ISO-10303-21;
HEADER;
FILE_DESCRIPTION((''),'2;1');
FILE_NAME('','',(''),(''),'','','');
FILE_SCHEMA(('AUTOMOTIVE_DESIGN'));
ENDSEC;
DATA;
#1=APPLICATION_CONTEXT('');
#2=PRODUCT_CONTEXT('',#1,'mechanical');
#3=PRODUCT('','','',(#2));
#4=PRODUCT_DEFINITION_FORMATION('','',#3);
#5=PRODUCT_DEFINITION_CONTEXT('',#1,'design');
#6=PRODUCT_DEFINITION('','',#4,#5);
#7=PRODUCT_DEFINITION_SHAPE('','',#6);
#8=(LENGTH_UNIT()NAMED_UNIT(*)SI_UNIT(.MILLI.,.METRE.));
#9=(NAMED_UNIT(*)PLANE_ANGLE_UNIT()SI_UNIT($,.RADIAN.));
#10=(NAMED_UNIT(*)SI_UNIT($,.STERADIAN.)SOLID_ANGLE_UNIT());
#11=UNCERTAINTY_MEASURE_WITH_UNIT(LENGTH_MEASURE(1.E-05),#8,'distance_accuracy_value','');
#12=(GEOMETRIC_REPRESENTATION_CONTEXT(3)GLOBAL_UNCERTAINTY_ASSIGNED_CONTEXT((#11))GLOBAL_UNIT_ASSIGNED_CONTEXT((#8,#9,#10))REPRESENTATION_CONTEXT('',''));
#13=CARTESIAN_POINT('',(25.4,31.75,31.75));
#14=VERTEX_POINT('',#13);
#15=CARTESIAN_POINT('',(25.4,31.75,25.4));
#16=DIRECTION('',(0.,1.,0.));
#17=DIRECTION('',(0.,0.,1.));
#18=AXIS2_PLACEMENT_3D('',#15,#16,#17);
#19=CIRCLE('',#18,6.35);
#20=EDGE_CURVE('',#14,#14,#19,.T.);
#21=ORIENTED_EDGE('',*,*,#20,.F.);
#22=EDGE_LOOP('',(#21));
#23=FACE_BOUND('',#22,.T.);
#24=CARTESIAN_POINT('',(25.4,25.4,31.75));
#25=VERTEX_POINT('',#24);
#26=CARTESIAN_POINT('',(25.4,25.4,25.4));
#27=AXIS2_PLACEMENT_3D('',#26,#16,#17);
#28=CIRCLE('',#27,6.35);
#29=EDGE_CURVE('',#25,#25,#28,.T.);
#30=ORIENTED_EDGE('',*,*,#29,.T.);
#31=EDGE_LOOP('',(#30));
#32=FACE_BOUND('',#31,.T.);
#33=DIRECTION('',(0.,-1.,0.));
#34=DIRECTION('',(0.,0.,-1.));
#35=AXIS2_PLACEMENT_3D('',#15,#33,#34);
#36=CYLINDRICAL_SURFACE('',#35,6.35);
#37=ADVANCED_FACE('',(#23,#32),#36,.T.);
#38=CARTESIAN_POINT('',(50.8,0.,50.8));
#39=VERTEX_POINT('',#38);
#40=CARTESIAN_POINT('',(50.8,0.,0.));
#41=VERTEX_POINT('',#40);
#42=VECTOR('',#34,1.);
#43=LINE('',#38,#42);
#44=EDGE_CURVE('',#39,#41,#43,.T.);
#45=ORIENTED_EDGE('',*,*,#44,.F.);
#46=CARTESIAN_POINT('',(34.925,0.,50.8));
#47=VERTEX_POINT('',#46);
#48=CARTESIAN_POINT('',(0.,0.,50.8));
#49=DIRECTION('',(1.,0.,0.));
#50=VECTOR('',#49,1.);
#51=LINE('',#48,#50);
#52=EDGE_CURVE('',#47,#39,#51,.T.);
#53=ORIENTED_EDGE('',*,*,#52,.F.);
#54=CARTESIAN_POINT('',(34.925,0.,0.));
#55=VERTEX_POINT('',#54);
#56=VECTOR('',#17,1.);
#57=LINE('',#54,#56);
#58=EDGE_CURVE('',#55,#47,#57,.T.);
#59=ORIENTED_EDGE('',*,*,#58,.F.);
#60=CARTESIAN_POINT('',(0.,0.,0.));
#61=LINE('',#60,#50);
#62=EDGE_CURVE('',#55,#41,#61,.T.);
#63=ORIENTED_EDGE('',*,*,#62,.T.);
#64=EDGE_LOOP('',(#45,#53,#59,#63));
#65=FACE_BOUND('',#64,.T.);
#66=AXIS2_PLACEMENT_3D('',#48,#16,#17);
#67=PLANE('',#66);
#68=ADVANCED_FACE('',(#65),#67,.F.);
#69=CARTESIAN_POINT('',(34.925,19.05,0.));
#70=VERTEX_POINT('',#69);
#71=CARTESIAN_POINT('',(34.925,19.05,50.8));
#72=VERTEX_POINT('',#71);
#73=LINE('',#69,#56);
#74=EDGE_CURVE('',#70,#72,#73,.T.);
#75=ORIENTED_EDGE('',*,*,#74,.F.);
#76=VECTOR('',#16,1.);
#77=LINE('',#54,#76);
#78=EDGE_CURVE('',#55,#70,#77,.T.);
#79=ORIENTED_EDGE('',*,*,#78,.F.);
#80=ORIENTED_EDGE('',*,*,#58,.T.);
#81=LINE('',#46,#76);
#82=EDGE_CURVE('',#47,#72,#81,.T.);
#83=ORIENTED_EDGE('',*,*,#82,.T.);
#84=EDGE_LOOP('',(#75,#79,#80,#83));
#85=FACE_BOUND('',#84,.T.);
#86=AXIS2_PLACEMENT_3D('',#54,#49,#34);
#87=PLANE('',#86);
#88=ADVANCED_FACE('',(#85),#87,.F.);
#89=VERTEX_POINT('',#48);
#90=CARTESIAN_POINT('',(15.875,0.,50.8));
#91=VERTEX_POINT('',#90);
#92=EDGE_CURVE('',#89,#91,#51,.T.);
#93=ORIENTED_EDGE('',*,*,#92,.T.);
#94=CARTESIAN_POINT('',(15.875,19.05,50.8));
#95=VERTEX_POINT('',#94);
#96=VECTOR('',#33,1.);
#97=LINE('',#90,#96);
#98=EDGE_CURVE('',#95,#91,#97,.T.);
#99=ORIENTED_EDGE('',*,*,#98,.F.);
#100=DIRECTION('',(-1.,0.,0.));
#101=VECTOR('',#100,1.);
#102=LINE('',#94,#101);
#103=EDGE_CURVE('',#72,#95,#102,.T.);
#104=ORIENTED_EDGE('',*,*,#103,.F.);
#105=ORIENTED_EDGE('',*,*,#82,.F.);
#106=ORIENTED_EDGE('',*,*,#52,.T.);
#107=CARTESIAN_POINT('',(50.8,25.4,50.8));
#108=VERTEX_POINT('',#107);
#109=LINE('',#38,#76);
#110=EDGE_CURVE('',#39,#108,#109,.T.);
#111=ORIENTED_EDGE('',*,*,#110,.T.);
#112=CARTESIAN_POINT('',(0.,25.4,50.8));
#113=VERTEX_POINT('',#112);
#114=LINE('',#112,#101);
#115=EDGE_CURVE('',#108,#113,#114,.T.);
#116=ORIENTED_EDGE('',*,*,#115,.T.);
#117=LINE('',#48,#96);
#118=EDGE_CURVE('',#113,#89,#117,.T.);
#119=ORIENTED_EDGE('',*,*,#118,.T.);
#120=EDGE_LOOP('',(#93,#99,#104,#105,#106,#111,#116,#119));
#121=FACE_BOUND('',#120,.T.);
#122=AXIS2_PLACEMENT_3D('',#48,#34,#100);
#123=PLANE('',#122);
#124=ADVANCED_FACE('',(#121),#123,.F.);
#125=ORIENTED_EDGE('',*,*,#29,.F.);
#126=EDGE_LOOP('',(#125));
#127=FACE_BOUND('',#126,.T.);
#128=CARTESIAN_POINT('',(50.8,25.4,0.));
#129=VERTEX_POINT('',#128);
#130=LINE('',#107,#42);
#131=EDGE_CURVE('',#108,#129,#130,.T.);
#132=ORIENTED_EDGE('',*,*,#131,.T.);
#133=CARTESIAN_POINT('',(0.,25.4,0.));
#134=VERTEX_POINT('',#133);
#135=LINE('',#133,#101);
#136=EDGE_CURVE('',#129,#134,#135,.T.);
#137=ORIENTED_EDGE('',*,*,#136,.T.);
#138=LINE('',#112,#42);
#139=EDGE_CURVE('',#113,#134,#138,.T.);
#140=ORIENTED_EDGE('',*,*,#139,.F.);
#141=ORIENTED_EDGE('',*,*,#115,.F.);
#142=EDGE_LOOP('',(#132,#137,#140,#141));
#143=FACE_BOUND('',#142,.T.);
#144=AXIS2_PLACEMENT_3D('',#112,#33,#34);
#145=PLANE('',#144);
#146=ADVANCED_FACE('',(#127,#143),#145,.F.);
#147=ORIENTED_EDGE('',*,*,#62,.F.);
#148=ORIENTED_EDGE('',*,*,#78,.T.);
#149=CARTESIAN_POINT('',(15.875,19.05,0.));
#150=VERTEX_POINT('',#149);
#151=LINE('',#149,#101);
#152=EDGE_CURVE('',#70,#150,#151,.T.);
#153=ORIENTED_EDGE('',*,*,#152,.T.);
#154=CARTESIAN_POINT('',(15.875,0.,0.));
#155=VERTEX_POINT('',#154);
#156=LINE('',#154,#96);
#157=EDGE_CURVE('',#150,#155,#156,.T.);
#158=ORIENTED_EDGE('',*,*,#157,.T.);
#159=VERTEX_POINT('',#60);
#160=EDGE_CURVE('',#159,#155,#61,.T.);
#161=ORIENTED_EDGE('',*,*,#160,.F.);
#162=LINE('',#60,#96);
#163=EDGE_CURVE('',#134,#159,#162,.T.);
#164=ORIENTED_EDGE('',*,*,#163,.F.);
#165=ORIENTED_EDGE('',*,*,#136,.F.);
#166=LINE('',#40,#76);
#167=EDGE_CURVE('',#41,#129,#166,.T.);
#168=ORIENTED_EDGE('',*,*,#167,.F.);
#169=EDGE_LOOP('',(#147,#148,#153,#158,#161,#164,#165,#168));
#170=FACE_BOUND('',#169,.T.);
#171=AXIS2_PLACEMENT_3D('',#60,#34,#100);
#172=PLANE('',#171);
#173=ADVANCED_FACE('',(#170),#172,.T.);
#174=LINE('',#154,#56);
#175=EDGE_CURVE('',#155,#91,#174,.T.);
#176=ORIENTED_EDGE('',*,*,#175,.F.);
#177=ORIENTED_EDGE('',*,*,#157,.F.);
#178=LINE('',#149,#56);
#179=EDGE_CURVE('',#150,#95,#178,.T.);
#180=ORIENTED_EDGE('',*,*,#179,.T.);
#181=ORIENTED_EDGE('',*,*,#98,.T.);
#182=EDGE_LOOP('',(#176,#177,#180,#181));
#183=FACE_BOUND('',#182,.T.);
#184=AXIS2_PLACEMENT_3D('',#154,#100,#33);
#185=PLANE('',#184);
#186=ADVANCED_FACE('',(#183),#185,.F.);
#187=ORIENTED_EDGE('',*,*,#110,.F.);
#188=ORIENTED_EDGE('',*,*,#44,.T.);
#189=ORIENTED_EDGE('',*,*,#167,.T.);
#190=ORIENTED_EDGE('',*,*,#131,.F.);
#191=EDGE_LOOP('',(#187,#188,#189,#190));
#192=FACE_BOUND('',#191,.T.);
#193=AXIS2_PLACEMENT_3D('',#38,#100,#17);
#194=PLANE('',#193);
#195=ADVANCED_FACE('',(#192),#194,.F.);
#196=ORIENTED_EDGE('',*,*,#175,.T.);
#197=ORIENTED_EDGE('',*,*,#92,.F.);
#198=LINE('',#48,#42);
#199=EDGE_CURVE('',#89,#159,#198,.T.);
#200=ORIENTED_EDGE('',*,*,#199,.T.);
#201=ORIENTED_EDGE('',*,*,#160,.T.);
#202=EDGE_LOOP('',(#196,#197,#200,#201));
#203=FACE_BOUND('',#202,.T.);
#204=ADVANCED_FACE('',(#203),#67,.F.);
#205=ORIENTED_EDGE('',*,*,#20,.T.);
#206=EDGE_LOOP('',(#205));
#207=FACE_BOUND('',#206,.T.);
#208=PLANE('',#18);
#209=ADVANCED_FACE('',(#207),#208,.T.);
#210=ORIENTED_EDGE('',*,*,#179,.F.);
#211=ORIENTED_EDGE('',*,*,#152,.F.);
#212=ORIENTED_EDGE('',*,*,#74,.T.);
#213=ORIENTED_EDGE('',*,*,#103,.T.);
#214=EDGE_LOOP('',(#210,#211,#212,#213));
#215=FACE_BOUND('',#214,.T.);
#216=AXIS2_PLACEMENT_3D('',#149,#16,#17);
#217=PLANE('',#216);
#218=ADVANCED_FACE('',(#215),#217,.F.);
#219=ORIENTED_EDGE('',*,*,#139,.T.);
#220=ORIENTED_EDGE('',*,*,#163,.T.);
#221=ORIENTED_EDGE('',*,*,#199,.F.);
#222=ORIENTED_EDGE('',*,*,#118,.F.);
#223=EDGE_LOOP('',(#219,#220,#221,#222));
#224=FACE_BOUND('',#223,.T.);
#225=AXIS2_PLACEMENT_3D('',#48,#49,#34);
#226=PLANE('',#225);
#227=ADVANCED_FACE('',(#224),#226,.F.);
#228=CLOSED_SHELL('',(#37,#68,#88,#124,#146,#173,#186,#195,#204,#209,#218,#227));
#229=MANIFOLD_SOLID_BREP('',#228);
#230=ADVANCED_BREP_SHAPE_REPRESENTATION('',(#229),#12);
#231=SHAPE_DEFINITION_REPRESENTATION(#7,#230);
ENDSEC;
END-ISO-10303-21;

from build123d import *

# Parameters (mm, degrees)
SKETCH1_W           = 50.8
SKETCH1_H           = 25.4
BOSS_EXTRUDE1_DEPTH = 50.8
SKETCH2_W           = 19.05
SKETCH2_H           = 19.05
CUT_EXTRUDE1_DEPTH  = 50.8
SKETCH3_R           = 6.35
BOSS_EXTRUDE2_DEPTH = 6.35


with BuildPart() as part:
    # Sketch1 → Boss-Extrude1 (new body)
    with BuildSketch(Plane.XY):
        with Locations((25.4, 12.7)):
            Rectangle(SKETCH1_W, SKETCH1_H)
    extrude(amount=BOSS_EXTRUDE1_DEPTH)

    # Sketch2 → Cut-Extrude1 (cut)
    with BuildSketch(Plane.XY.offset(50.8)):
        with Locations((25.4, 9.525)):
            Rectangle(SKETCH2_W, SKETCH2_H)
    extrude(amount=-CUT_EXTRUDE1_DEPTH, mode=Mode.SUBTRACT)

    # Sketch3 → Boss-Extrude2 (add)
    with BuildSketch(Plane(origin=(0, 25.4, 0), x_dir=(1, 0, 0), z_dir=(0, 1, 0))):
        with Locations(Location((25.4, -25.4, 0), (0, 0, 270))):
            Circle(SKETCH3_R)
    extrude(amount=BOSS_EXTRUDE2_DEPTH)


solid = part.part
